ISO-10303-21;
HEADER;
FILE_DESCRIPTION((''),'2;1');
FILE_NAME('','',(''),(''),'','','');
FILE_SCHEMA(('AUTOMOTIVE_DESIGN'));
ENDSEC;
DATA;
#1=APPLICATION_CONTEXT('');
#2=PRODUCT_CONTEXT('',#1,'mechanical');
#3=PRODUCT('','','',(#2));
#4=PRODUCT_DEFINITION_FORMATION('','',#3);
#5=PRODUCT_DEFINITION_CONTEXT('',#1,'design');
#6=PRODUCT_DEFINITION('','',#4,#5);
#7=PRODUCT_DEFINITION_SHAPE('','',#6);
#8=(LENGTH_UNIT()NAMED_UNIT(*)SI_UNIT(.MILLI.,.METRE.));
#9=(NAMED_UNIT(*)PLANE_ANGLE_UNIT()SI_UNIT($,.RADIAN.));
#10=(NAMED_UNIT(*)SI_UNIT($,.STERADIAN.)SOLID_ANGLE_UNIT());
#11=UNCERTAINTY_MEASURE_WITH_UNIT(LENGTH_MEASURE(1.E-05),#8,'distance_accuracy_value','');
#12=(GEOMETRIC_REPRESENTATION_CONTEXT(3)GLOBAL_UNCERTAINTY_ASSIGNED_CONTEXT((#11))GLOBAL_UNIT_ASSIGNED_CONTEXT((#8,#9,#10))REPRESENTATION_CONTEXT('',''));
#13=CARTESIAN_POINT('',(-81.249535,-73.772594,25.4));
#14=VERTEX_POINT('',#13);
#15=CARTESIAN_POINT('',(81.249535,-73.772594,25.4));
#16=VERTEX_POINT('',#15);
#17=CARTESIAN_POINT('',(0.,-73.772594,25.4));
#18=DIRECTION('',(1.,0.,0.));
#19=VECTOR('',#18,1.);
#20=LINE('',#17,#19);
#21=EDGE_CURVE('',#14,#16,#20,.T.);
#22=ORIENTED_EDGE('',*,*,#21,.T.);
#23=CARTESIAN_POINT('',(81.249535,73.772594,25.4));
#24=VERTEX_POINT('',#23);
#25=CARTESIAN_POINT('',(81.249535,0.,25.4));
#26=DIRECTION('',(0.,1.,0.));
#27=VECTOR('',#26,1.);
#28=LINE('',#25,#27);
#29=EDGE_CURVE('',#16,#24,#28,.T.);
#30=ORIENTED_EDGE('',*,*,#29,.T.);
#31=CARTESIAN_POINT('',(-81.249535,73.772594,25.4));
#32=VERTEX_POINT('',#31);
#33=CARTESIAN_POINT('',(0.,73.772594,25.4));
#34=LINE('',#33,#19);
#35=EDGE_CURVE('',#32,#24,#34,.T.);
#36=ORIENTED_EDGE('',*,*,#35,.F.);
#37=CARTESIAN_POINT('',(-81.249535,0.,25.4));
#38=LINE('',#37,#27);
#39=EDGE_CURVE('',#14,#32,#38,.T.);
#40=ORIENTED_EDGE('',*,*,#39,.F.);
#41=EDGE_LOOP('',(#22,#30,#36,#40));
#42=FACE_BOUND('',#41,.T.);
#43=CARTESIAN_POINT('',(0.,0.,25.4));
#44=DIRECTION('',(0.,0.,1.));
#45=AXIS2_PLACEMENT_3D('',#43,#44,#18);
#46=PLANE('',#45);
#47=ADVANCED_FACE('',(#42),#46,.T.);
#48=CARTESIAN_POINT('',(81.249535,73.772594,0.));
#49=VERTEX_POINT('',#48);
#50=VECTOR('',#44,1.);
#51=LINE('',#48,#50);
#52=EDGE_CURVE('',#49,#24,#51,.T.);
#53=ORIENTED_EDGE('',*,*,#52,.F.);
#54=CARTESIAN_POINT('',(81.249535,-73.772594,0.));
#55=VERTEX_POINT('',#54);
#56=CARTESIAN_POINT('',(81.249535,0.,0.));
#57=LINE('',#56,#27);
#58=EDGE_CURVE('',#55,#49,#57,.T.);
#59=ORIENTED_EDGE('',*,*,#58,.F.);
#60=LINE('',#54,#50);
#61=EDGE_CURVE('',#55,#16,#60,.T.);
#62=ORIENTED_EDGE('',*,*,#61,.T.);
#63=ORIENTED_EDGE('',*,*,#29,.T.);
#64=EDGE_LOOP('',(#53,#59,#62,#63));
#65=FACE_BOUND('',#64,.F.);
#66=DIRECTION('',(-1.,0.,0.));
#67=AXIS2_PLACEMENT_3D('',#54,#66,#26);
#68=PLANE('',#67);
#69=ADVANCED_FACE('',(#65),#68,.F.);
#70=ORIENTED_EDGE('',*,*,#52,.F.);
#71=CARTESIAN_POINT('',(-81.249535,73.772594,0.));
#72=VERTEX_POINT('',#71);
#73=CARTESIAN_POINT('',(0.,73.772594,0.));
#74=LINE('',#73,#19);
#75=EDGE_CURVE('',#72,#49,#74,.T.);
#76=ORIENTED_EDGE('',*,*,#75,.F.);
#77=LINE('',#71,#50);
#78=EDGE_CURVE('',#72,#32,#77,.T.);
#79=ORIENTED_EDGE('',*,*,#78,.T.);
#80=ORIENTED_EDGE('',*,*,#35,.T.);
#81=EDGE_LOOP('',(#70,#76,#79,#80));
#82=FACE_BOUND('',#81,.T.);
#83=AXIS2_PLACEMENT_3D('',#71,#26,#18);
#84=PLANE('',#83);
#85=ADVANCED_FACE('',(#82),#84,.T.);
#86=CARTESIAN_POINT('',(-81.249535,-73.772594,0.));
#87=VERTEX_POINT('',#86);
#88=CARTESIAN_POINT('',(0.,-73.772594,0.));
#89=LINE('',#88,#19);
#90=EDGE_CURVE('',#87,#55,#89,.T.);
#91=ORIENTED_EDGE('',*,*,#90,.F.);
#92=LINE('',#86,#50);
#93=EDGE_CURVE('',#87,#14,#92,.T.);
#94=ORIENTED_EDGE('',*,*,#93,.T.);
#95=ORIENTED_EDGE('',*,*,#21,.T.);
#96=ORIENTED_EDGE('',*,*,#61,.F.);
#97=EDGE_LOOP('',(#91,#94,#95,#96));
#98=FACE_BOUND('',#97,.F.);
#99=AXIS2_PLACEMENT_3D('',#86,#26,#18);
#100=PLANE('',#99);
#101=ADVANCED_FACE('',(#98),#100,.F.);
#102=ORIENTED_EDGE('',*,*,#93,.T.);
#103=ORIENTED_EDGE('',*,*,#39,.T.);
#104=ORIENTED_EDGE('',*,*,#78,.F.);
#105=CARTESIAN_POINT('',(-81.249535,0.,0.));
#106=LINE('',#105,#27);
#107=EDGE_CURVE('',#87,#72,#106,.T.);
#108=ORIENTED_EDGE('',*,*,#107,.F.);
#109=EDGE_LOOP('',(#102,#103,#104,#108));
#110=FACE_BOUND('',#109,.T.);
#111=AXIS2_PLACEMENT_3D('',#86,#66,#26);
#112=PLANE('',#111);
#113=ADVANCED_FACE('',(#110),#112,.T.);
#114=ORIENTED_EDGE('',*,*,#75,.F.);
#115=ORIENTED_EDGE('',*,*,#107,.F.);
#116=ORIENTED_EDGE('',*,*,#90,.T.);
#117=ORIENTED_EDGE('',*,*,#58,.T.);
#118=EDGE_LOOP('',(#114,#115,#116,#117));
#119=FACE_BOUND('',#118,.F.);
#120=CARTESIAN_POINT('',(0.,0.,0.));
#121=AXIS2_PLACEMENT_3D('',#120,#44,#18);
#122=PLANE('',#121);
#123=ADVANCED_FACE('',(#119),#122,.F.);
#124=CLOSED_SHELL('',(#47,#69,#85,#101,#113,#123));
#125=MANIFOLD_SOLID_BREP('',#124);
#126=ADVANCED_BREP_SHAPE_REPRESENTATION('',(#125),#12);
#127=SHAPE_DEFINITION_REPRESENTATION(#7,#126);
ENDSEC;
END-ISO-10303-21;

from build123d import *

# Parameters (mm, degrees)
F0_W     = 162.49907
F0_H     = 147.545188
F1_DEPTH = 25.4
F2_R     = 30.639287
F3_DEPTH = 4.002098


with BuildPart() as f1:
    # F0 (on Top) → F1 (new body)
    with BuildSketch(Plane.XY):
        Rectangle(F0_W, F0_H)
    extrude(amount=F1_DEPTH)

    # F2 (on face) → F3 (join)
    with BuildSketch(Plane(origin=(0, 0, 0), x_dir=(1, 0, 0), z_dir=(0, 0, -1))):
        Circle(F2_R)
    extrude(amount=-F3_DEPTH)


solid = f1.part
